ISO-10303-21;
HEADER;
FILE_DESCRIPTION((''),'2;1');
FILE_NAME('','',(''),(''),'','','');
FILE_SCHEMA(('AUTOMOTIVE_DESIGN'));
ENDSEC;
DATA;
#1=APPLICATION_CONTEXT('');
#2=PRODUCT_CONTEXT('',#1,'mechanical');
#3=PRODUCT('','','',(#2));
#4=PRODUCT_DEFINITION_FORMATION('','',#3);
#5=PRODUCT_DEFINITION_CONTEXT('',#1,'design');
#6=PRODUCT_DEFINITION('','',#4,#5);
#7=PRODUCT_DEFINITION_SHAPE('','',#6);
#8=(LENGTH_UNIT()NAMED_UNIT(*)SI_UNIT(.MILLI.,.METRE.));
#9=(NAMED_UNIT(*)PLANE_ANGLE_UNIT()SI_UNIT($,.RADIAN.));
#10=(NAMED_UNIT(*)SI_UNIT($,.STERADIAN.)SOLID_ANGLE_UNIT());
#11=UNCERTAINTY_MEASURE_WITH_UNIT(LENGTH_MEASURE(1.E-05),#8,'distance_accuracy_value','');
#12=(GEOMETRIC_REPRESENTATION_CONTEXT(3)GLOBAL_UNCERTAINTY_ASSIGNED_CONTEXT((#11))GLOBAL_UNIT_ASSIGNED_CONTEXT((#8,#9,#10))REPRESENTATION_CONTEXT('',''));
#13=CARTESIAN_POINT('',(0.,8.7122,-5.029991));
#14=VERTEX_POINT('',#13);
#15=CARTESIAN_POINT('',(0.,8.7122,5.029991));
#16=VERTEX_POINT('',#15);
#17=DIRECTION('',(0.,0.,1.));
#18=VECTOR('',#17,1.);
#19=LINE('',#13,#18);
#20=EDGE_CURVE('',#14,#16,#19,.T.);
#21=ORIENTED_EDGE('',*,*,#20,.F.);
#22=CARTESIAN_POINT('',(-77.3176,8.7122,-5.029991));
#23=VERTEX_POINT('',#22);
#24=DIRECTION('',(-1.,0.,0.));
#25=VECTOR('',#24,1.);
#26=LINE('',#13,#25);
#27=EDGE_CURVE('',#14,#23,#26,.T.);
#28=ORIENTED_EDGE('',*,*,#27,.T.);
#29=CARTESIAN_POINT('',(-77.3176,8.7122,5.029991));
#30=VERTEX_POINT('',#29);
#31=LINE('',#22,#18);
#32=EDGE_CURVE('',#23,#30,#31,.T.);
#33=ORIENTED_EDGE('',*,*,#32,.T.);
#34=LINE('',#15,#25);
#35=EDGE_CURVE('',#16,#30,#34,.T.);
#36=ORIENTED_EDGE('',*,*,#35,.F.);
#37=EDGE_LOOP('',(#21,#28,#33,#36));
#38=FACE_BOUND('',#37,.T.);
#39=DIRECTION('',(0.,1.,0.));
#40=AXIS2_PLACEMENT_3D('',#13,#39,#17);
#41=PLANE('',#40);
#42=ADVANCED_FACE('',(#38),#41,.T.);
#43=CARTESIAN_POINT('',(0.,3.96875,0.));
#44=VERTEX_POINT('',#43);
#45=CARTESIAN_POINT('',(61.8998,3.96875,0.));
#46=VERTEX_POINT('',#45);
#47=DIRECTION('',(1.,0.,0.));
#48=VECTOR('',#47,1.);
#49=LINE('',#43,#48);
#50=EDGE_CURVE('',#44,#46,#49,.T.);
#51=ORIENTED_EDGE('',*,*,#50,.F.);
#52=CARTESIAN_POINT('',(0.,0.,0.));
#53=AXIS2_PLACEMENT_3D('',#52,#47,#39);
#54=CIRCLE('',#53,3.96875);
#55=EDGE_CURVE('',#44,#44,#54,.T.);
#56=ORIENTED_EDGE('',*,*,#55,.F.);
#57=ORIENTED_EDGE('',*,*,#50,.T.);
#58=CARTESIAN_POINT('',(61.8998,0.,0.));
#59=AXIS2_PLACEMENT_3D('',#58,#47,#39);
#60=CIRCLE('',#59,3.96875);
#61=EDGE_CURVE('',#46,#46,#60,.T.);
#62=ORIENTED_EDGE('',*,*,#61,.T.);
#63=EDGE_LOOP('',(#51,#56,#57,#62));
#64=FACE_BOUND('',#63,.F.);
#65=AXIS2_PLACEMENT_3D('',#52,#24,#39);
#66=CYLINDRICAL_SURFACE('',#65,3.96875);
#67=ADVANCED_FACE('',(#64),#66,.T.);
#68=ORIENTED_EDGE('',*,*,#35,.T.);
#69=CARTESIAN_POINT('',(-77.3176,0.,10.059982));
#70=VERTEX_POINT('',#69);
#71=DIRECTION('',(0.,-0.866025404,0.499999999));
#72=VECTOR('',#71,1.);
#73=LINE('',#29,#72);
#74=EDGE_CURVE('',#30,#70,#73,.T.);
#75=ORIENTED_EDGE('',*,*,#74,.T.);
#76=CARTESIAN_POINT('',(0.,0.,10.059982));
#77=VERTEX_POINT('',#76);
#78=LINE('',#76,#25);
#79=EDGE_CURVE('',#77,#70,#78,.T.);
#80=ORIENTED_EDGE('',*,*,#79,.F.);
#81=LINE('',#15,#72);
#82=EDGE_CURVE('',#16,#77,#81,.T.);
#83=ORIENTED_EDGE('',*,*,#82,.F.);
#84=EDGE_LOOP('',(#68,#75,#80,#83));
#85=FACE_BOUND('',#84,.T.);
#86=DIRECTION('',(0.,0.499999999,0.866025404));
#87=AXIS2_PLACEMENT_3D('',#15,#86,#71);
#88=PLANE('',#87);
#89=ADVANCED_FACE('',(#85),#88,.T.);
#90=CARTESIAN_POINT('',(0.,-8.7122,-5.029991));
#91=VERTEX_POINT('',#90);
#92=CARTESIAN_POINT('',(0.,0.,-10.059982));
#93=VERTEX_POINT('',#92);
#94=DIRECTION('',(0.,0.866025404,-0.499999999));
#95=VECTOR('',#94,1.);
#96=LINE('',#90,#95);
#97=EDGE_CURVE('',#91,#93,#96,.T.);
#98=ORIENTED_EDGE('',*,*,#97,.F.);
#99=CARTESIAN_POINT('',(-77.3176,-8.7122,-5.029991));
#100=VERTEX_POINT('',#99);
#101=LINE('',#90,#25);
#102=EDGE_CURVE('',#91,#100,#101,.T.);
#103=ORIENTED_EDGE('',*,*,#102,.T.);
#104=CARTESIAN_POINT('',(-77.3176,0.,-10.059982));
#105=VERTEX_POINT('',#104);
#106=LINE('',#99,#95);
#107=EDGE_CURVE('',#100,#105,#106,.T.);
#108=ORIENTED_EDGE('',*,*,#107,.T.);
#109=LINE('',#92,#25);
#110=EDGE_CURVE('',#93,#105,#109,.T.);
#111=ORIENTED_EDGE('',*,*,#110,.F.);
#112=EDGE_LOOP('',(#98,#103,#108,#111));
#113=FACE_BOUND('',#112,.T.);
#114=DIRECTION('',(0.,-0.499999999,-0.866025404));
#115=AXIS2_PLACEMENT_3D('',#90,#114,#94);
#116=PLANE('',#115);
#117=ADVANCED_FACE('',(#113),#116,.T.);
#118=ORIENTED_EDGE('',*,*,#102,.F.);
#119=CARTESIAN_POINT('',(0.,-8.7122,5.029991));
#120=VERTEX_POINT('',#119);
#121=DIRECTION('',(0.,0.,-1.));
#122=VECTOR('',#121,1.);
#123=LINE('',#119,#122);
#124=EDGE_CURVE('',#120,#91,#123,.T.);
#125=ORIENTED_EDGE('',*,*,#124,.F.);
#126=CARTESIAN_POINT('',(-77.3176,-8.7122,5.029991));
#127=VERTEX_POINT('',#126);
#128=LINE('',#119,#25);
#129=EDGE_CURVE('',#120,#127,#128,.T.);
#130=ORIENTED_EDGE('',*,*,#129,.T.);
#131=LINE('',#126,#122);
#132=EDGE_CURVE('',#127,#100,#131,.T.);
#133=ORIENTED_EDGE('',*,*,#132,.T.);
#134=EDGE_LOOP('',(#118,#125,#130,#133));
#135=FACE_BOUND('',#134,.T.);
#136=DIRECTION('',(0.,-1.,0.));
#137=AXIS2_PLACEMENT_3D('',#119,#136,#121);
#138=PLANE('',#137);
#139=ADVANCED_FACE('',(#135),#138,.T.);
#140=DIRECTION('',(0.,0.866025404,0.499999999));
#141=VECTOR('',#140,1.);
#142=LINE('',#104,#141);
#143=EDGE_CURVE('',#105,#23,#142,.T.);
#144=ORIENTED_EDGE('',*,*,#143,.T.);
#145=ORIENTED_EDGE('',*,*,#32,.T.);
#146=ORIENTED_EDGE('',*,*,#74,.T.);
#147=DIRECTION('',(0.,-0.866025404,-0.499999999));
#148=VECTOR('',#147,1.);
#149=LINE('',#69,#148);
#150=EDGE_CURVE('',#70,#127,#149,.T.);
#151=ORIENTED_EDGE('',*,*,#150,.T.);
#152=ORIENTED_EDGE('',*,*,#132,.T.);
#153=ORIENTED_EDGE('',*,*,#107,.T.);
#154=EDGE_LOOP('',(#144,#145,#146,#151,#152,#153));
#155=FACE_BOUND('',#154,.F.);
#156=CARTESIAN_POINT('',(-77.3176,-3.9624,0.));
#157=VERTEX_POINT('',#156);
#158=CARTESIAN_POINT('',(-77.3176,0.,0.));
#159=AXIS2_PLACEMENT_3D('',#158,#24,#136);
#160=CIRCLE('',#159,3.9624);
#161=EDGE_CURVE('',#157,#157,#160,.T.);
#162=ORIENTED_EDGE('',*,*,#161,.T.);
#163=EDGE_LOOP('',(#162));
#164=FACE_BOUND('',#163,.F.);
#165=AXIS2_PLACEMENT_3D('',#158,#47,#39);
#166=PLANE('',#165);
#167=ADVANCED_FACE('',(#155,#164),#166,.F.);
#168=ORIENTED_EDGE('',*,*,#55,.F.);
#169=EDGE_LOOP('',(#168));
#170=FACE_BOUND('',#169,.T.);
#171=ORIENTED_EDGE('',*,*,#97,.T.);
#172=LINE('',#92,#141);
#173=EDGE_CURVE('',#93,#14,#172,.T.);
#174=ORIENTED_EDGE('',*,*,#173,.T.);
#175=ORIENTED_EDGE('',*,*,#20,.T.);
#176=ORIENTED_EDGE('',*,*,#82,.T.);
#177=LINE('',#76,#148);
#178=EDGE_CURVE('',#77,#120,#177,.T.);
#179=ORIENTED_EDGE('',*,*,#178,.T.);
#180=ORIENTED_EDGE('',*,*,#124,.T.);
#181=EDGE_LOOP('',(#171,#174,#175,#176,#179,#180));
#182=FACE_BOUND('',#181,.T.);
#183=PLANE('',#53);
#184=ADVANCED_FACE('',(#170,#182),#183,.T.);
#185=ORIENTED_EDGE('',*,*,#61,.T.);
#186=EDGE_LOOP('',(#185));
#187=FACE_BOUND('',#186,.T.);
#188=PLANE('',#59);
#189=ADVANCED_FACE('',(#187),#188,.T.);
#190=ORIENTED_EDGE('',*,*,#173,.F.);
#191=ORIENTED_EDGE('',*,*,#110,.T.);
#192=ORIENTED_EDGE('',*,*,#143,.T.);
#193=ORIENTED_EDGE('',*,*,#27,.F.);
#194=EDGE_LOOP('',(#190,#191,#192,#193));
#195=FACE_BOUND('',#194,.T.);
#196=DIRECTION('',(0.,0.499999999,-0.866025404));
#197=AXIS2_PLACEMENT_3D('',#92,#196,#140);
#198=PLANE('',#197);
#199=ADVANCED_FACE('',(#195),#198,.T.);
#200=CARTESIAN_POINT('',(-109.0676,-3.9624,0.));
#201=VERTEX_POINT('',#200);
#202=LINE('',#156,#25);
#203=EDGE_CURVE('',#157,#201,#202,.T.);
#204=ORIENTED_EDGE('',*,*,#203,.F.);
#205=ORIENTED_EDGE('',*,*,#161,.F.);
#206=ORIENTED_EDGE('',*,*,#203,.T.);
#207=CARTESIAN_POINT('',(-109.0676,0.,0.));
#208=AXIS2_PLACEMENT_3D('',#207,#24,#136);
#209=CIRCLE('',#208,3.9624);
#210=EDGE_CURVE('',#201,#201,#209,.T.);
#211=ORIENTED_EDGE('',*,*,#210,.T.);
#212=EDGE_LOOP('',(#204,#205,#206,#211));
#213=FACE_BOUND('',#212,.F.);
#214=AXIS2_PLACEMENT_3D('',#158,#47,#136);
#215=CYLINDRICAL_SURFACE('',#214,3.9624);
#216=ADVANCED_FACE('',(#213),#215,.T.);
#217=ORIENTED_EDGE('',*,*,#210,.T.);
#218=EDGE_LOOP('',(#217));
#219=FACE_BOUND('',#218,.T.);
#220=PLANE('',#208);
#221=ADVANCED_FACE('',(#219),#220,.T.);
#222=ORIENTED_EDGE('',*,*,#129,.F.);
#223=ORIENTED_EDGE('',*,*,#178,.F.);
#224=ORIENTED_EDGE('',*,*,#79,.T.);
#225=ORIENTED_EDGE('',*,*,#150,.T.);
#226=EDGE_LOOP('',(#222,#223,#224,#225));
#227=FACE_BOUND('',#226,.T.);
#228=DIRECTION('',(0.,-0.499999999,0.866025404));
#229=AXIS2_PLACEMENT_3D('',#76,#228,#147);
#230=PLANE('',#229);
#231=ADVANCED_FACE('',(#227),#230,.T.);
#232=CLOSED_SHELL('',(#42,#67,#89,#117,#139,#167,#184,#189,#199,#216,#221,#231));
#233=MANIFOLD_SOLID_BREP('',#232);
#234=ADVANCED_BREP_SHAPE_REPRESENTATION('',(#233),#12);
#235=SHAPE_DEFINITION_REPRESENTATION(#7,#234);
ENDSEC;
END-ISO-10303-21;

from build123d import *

# Parameters (mm, degrees)
F1_DEPTH = 77.3176
F2_R     = 3.9624
F3_DEPTH = 31.75
F4_R     = 3.96875
F5_DEPTH = 61.8998


with BuildPart() as f1:
    # F0 (on Right) → F1 (new body)
    with BuildSketch(Plane.YZ):
        Polygon((8.7122, -5.029991), (8.7122, 5.029991), (0, 10.059982), (-8.7122, 5.029991), (-8.7122, -5.029991), (0, -10.059982), align=None)
    extrude(amount=-F1_DEPTH)

    # F2 (on face) → F3 (join)
    with BuildSketch(Plane(origin=(-77.3176, 0, 0), x_dir=(0, -1, 0), z_dir=(-1, 0, 0))):
        Circle(F2_R)
    extrude(amount=F3_DEPTH)

    # F4 (on face) → F5 (join)
    with BuildSketch(Plane.YZ):
        Circle(F4_R)
    extrude(amount=F5_DEPTH)


solid = f1.part
